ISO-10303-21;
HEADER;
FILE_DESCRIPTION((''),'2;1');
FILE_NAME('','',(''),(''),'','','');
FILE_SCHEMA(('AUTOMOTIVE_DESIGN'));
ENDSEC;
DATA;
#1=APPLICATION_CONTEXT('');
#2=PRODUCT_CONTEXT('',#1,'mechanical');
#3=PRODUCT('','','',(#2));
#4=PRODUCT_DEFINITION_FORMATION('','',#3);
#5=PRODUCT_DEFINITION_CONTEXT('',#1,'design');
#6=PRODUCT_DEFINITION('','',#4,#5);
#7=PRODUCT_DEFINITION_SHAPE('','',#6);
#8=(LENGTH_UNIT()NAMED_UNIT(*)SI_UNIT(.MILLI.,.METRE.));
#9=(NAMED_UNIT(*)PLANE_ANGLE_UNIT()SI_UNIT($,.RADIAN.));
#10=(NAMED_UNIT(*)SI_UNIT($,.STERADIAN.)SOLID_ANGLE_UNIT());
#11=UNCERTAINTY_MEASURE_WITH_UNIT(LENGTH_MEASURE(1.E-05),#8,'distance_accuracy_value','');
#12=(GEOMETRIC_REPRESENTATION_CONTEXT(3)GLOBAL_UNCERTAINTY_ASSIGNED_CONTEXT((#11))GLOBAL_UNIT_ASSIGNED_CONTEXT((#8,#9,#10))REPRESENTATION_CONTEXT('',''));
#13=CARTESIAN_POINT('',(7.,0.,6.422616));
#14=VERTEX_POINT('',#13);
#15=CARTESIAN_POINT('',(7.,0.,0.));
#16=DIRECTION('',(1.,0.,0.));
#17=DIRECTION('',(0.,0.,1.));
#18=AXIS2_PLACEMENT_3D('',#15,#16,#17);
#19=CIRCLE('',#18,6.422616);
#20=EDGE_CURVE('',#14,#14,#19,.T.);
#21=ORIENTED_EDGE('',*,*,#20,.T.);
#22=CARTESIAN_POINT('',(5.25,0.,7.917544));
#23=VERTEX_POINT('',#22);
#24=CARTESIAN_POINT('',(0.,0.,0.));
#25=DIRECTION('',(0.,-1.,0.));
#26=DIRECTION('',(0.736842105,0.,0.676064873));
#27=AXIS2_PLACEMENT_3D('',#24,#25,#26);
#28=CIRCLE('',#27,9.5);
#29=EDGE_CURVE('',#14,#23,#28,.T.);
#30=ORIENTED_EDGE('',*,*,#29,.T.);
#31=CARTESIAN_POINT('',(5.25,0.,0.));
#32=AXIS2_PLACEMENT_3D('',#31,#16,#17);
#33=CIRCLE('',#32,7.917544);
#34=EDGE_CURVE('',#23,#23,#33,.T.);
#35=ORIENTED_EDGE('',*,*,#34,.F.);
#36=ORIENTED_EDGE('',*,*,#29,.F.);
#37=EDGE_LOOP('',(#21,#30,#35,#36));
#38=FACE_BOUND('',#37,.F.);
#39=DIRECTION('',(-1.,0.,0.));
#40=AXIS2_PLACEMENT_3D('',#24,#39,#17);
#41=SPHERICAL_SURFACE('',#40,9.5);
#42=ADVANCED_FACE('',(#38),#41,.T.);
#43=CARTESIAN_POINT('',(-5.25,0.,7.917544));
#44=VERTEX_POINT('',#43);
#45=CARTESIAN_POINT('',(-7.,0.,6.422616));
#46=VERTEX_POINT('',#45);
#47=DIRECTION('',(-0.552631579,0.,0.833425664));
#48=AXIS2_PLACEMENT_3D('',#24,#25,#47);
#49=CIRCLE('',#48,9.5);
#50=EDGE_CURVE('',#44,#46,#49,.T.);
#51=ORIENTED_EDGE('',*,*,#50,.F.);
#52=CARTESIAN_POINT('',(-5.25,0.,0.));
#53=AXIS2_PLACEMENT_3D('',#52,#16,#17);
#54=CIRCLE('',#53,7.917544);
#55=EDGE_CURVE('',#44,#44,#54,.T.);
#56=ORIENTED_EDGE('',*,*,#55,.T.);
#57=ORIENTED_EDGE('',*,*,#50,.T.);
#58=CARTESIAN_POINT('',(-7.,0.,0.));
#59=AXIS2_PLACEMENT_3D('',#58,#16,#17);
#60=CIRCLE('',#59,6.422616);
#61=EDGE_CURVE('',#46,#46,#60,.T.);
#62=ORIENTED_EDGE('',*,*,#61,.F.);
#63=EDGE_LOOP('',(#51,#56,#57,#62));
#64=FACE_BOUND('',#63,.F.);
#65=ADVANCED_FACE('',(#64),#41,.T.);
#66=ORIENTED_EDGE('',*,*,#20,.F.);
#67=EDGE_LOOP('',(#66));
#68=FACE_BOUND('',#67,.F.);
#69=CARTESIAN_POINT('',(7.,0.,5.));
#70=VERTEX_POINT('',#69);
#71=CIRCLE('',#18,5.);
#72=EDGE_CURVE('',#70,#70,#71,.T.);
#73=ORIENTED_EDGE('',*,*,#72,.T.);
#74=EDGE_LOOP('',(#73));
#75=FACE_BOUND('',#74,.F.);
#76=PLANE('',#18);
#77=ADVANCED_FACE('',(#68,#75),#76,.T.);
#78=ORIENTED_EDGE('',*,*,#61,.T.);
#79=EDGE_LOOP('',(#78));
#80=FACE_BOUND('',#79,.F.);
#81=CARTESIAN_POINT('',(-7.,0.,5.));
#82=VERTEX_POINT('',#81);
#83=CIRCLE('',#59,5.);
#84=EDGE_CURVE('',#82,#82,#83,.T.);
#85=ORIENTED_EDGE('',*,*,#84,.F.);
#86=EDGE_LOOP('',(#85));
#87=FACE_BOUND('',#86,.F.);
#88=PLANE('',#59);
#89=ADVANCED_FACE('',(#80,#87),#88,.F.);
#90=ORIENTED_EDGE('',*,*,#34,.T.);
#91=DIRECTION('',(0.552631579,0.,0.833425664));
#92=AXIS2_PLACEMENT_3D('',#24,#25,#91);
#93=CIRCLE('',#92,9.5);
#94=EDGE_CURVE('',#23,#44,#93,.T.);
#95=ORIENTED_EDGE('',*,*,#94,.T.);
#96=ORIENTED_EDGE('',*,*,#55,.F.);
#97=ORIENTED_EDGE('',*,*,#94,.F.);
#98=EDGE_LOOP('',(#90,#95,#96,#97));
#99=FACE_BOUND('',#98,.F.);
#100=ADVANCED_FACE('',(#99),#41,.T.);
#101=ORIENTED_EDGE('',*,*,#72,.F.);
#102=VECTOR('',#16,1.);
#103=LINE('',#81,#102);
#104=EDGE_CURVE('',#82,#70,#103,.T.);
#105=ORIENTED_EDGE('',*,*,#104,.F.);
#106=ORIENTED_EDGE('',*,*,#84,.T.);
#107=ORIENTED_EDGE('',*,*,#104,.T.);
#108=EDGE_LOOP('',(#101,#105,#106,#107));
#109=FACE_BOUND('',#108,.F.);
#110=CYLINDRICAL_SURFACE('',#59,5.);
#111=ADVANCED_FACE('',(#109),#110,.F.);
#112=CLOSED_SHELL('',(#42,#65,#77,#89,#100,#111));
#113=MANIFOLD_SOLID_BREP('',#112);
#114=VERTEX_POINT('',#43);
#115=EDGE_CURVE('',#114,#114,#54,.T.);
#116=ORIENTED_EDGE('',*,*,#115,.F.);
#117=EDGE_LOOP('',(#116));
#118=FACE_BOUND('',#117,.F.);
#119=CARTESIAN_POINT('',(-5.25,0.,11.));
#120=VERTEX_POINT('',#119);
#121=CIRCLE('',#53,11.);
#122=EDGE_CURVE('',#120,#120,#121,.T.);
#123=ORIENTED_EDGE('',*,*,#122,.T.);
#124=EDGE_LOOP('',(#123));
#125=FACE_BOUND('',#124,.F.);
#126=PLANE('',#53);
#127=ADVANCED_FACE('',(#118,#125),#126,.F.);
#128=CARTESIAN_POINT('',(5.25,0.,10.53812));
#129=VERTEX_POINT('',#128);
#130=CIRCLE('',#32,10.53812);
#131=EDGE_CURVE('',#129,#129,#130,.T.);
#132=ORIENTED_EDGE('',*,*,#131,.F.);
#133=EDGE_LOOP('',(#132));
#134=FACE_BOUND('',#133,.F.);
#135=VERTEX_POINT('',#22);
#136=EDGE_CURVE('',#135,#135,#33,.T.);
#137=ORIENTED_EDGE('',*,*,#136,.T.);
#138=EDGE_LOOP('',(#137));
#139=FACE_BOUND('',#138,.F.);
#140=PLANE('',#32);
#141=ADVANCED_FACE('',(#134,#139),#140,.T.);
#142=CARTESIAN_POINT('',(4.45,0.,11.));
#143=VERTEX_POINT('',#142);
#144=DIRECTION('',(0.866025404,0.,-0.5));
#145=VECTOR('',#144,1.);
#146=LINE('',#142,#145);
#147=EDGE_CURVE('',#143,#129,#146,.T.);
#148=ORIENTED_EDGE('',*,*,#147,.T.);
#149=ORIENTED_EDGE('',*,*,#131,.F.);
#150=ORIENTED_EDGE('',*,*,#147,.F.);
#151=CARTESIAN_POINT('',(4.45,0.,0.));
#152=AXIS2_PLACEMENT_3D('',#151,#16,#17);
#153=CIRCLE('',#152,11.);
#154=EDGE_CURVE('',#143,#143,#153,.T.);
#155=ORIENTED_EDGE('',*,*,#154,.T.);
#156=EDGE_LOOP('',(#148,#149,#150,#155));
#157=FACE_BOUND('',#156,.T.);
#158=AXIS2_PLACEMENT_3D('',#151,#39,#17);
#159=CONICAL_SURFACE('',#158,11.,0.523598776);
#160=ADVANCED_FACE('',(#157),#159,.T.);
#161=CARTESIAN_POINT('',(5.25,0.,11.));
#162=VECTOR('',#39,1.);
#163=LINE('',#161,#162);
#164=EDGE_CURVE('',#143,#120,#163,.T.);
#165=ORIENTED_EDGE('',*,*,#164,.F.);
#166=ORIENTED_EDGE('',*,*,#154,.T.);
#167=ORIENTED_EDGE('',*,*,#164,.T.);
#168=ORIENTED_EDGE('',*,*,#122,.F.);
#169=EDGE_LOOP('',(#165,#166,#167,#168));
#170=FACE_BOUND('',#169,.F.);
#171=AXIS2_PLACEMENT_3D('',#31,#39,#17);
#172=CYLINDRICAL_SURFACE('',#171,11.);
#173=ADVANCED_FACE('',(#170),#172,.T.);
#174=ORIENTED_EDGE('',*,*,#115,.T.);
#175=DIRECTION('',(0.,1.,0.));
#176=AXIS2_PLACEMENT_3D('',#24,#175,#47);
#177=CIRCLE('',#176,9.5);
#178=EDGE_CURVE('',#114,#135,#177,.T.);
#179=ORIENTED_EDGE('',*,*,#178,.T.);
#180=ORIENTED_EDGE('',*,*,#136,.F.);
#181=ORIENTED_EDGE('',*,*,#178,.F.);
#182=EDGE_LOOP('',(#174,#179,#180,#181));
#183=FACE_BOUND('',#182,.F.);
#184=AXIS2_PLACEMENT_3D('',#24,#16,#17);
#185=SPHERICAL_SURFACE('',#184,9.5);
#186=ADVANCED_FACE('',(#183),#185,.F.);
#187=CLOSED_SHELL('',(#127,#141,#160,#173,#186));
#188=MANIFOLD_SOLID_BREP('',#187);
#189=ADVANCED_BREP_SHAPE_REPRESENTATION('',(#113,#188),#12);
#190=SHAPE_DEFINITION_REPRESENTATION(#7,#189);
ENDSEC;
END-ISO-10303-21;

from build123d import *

# Parameters (mm, degrees)
F3_SIZE2 = 0.4618802154
F3_SIZE  = 0.8


with BuildPart() as f1:
    # F0 (on Front) → F1 (revolve)
    with BuildSketch(Plane.XZ):
        with BuildLine():
            Line((7, 5), (7, 6.4226162893))
            ThreePointArc((7, 6.4226162893), (6.1704397796, 7.2232730065), (5.25, 7.9175438111))
            Line((5.25, 7.9175438111), (5.25, 5))
            Line((5.25, 5), (7, 5))
        make_face()
        with BuildLine():
            Line((5.25, 5), (5.25, 7.9175438111))
            ThreePointArc((5.25, 7.9175438111), (0, 9.5), (-5.25, 7.9175438111))
            Line((-5.25, 7.9175438111), (-5.25, 5))
            Line((-5.25, 5), (5.25, 5))
        make_face()
        with BuildLine():
            Line((-5.25, 5), (-5.25, 7.9175438111))
            ThreePointArc((-5.25, 7.9175438111), (-6.1704397796, 7.2232730065), (-7, 6.4226162893))
            Line((-7, 6.4226162893), (-7, 5))
            Line((-7, 5), (-5.25, 5))
        make_face()
    revolve(axis=Axis((-1.1205514893, 0, 0), (1, 0, 0)))


with BuildPart() as f2:
    # F0 (on Front) → F2 (revolve)
    with BuildSketch(Plane.XZ):
        with BuildLine():
            ThreePointArc((-5.25, 7.9175438111), (0, 9.5), (5.25, 7.9175438111))
            Line((5.25, 7.9175438111), (5.25, 11))
            Line((5.25, 11), (-5.25, 11))
            Line((-5.25, 11), (-5.25, 7.9175438111))
        make_face()
    revolve(axis=Axis((-1.1205514893, 0, 0), (1, 0, 0)))

    # F3
    f3_edges = [f2.edges().sort_by_distance(p)[0] for p in [
        (5.25, 0, -11),
    ]]
    f3_side = f2.faces().sort_by_distance((0, 0, -11))[0]
    chamfer(f3_edges, length=F3_SIZE, length2=F3_SIZE2, reference=f3_side)


solid = Compound([f1.part, f2.part])
